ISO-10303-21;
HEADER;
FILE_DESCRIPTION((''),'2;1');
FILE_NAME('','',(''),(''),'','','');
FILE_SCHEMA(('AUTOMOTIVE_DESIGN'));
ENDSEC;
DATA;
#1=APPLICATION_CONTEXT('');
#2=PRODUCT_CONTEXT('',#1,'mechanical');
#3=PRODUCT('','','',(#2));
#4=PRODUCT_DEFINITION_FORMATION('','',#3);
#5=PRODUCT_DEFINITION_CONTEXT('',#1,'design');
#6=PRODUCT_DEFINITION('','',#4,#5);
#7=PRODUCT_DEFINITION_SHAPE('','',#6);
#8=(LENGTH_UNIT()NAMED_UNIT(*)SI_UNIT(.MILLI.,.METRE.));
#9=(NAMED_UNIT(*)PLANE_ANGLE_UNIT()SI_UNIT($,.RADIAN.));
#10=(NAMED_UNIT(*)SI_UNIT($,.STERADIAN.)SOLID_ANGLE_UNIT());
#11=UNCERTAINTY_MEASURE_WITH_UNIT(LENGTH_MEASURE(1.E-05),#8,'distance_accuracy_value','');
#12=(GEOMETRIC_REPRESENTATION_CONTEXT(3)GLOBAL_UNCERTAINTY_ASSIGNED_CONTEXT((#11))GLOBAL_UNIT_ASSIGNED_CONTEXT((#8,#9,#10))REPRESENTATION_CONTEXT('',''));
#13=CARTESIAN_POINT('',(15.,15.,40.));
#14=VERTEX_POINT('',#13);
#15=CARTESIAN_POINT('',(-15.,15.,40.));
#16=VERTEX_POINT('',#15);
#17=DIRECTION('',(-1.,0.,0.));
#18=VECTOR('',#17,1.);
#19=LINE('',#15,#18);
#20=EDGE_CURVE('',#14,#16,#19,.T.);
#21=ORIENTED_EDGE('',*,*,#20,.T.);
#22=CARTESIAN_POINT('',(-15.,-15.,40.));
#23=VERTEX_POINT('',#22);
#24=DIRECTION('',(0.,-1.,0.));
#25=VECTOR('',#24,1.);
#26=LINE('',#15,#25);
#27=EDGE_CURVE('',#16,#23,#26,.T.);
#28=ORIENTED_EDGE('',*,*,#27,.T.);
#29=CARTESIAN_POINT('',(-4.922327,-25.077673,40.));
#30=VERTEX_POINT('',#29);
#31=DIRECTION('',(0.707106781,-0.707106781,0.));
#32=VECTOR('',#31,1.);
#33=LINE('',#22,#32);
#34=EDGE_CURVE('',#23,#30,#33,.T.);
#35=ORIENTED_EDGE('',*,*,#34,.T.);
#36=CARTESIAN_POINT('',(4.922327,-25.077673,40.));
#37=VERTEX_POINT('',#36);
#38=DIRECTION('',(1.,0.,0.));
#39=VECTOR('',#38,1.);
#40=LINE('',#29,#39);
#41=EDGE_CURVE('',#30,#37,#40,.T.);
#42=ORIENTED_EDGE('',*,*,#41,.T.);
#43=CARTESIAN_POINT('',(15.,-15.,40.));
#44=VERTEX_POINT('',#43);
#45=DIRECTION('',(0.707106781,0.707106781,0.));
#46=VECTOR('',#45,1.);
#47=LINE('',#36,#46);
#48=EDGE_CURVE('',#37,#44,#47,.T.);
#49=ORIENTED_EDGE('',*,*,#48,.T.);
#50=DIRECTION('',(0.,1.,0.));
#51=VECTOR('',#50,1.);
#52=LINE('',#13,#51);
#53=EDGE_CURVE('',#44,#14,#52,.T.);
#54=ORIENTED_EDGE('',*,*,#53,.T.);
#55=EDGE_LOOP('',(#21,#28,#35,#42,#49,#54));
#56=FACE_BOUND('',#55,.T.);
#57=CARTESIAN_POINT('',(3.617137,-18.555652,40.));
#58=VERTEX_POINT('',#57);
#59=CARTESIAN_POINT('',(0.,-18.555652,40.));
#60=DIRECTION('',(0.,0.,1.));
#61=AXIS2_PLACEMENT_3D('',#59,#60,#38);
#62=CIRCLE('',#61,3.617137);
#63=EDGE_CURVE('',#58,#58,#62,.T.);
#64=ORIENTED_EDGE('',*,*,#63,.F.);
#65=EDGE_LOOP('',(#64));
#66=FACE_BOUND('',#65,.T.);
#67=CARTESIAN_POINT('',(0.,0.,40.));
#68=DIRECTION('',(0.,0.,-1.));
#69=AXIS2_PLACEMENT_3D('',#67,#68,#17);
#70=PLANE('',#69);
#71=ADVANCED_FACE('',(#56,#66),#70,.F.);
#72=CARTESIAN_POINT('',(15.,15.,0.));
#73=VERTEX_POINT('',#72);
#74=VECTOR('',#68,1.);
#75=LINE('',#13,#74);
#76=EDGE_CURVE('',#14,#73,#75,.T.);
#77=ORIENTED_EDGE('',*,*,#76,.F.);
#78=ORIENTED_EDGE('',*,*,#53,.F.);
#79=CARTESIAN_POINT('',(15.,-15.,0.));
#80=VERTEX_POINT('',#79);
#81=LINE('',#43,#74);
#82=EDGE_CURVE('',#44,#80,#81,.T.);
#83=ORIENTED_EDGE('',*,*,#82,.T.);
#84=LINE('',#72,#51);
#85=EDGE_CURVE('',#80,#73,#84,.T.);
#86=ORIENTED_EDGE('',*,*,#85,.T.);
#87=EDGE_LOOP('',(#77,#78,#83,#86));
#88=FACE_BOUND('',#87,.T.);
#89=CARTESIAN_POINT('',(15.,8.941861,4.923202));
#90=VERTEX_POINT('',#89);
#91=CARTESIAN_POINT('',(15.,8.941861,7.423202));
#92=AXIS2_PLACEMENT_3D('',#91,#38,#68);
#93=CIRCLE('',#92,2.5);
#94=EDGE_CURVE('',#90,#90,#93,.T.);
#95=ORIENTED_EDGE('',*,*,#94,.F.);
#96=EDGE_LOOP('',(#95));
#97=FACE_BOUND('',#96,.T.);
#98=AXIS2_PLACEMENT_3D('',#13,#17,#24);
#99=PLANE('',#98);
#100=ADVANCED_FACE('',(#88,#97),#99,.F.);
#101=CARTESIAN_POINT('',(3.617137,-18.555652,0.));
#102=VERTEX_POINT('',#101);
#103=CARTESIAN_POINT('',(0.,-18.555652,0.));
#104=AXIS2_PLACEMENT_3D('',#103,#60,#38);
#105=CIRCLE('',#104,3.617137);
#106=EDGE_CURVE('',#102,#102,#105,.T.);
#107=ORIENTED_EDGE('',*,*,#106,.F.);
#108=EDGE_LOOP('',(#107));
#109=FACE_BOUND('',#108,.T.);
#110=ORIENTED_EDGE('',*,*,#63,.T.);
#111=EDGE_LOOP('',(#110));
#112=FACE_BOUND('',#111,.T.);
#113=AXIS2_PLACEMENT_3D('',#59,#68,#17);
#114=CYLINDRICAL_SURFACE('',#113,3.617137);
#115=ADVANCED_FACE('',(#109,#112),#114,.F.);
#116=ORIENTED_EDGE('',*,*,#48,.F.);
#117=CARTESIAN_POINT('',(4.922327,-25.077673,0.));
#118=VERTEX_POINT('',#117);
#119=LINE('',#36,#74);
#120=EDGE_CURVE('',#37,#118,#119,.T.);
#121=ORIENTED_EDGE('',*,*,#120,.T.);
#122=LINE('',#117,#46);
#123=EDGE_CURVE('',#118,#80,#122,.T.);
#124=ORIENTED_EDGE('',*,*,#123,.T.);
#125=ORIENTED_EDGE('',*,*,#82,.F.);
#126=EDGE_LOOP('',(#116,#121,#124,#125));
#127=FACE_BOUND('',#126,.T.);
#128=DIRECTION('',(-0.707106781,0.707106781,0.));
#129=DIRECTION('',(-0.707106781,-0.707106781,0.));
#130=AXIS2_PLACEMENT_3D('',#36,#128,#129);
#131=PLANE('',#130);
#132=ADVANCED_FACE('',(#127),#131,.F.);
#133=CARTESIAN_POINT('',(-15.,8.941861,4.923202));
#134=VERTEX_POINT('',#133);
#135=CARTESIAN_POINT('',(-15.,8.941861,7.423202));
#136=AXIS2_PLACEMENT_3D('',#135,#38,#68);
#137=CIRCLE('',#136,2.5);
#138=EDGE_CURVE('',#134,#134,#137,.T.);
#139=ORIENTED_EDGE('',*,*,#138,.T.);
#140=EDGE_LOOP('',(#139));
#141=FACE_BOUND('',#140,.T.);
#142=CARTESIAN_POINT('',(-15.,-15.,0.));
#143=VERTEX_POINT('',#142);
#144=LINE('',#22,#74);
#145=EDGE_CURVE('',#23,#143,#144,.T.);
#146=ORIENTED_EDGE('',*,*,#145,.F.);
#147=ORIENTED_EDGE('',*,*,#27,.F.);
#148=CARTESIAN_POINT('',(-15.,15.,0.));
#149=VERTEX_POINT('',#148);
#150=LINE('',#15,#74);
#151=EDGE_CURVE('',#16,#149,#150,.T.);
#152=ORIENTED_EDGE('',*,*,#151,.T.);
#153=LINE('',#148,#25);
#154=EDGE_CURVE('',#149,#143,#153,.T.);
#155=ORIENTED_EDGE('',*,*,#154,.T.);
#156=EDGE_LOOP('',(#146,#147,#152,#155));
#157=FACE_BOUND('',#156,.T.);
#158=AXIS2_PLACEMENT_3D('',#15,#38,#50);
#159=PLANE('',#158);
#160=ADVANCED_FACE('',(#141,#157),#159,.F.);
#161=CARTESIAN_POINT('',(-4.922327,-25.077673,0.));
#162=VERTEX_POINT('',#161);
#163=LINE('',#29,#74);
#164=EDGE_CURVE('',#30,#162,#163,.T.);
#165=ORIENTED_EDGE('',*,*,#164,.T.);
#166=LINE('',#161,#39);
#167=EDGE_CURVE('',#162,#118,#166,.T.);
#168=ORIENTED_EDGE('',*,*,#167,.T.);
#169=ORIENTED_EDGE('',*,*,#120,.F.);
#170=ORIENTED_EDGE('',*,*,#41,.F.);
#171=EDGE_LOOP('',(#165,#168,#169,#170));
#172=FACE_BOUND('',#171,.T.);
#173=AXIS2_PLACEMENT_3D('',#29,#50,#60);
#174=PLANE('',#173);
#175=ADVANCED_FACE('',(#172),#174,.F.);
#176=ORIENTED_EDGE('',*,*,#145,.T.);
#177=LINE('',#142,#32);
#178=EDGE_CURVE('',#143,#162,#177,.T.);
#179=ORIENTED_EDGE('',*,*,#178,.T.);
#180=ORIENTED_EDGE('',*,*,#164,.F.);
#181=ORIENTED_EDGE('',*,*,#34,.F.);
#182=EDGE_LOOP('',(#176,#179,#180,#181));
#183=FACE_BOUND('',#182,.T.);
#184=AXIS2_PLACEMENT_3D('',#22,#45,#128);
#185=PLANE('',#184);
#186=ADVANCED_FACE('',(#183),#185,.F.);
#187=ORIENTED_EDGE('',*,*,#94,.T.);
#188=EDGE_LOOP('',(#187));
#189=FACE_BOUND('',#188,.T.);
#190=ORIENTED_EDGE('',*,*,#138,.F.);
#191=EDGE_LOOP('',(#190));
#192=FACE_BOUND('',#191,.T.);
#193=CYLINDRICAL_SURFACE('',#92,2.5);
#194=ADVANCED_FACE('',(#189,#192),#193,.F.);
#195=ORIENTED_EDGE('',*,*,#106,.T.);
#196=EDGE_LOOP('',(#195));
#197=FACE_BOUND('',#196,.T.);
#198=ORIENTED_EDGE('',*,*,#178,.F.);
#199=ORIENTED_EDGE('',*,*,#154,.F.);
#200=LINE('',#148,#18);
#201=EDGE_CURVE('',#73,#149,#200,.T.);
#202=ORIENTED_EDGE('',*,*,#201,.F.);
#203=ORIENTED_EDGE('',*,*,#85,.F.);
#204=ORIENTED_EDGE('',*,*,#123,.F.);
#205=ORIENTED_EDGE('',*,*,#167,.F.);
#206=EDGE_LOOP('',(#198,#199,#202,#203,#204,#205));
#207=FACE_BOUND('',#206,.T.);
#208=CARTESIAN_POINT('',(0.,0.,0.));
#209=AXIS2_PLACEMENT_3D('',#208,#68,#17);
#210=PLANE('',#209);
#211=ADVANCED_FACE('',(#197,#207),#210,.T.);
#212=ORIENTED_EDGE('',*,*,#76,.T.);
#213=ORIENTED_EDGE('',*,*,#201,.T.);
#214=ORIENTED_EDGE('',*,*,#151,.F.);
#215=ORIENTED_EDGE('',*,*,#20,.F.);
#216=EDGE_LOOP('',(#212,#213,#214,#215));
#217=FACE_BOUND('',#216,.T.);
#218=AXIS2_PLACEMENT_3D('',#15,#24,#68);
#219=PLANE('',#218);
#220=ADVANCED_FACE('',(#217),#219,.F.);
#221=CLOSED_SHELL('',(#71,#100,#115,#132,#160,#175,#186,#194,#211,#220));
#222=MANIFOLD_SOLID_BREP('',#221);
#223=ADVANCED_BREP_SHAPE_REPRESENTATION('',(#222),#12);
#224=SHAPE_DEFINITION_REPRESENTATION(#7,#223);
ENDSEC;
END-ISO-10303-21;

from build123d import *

# Parameters (mm, degrees)
SKETCH1_R             = 3.617136877
BOSS_EXTRUDE1_DEPTH   = 40
F_5_0MM_DOWEL_HOLE1_D = 5


with BuildPart() as part:
    # Sketch1 → Boss-Extrude1 (new body)
    with BuildSketch(Plane.XY):
        Polygon((-15, -15), (-4.922326912, -25.077673088), (4.922326912, -25.077673088), (15, -15), (15, 15), (-15, 15), align=None)
        with Locations((0, -18.555652187)):
            Circle(SKETCH1_R, mode=Mode.SUBTRACT)
    extrude(amount=BOSS_EXTRUDE1_DEPTH)

    # Ø5.0mm Dowel Hole1 (through all)
    with Locations(Plane(origin=(15, 8.941860577, 7.42320161), x_dir=(0, 1, 0), z_dir=(1, 0, 0))):
        with Locations((0, 0)):
            Hole(F_5_0MM_DOWEL_HOLE1_D / 2)


solid = part.part
